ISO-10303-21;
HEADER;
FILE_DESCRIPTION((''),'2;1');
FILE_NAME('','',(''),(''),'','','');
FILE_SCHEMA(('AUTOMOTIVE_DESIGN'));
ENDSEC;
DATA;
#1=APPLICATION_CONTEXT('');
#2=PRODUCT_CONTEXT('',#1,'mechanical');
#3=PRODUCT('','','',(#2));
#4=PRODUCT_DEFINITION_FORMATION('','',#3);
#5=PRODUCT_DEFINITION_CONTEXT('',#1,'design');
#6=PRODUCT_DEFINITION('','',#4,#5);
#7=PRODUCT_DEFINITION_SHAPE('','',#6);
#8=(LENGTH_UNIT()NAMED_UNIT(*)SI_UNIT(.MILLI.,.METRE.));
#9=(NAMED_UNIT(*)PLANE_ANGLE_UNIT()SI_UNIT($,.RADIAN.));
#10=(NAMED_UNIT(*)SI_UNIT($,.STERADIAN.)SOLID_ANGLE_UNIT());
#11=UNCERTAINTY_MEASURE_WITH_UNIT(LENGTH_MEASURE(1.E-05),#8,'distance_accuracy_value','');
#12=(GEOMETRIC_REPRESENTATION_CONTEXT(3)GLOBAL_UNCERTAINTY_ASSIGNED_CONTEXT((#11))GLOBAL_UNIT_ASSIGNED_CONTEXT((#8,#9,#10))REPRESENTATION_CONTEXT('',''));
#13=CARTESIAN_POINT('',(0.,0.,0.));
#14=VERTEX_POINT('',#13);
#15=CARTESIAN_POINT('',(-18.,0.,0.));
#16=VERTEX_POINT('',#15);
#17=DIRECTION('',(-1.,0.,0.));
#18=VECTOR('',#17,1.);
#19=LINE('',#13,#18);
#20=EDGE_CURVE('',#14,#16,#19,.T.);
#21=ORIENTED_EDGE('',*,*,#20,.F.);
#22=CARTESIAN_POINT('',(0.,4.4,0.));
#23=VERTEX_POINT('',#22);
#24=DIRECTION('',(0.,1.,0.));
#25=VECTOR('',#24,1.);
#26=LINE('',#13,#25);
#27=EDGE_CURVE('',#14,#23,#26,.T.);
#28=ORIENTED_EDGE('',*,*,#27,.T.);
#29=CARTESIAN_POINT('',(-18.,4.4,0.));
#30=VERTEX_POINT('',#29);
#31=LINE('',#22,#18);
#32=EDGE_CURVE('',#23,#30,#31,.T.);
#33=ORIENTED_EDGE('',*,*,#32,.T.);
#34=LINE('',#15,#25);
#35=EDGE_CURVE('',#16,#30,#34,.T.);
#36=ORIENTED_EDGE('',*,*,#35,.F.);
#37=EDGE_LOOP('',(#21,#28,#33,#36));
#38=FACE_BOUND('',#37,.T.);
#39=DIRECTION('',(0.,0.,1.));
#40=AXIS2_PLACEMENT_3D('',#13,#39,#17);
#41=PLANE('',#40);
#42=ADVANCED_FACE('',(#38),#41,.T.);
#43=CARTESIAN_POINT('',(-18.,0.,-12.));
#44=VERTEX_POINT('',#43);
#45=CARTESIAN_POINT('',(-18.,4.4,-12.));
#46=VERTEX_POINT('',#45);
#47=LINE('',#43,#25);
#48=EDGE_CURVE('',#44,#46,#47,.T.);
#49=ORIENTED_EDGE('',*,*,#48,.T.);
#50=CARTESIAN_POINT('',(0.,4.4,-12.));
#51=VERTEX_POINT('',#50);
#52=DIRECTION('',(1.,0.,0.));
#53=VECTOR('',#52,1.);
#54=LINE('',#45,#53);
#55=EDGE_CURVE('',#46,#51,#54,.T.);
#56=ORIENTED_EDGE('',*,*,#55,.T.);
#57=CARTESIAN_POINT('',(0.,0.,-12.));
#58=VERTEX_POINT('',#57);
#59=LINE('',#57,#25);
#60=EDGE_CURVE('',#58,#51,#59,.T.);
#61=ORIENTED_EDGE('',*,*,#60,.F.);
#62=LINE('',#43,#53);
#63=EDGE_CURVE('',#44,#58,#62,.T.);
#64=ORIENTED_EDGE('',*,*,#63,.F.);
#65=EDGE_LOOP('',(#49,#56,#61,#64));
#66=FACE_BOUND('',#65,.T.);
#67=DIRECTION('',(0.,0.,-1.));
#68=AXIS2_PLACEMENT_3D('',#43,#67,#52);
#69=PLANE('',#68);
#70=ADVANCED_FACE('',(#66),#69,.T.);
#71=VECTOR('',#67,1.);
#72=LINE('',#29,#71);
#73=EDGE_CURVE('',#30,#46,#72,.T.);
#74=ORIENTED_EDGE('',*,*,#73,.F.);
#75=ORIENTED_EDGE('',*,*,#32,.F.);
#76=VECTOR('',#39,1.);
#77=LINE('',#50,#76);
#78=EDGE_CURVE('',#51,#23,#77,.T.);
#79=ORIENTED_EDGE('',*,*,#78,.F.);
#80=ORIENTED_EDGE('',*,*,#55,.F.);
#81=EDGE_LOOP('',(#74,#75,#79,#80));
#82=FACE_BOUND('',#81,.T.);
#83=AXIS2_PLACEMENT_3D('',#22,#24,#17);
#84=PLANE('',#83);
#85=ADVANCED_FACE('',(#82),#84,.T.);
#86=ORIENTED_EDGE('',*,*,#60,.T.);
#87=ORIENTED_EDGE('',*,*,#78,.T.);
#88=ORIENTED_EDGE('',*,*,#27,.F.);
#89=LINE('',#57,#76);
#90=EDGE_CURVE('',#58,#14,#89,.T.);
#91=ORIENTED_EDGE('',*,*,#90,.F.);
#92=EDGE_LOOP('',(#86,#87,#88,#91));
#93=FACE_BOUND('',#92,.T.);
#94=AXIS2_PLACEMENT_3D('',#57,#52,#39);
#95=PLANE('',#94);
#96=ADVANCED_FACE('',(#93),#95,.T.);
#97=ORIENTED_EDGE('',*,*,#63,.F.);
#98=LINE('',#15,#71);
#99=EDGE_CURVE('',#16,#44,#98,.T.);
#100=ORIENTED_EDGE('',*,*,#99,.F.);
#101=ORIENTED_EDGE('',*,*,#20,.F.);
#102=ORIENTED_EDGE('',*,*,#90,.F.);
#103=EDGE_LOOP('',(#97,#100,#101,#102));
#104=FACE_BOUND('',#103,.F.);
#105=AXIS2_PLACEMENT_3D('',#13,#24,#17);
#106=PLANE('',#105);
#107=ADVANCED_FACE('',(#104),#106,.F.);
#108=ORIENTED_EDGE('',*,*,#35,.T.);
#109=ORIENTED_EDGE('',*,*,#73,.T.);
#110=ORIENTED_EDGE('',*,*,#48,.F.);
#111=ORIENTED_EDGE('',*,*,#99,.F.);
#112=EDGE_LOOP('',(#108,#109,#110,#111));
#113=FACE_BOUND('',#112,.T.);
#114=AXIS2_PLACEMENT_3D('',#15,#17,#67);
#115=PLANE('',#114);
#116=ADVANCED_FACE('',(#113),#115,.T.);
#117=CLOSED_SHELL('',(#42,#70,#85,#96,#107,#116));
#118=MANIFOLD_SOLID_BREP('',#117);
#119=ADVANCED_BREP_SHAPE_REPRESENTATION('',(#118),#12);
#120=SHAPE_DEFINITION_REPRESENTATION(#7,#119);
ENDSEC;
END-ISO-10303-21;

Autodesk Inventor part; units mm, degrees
ref_plane "YZ Plane" through (0, 0, 0) normal (1, 0, 0) x (0, 1, 0)
ref_plane "XZ Plane" through (0, 0, 0) normal (0, 1, 0) x (-1, 0, 0)
ref_plane "XY Plane" through (0, 0, 0) normal (0, 0, 1) x (1, 0, 0)
sketch "Sketch1" plane through (0, 0, 0) normal (0, 1, 0) x (-1, 0, 0)
  line L0 (0, 0) -> (18, 0)
  line L1 (18, 0) -> (18, -12)
  line L2 (18, -12) -> (0, -12)
  line L3 (0, -12) -> (0, 0)
  dimension "d0" = 18
  dimension "d1" = 12
extrude "Extrusion1" add sketch "Sketch1" along normal blind 4.4
properties part number "shim_4.5mm"
